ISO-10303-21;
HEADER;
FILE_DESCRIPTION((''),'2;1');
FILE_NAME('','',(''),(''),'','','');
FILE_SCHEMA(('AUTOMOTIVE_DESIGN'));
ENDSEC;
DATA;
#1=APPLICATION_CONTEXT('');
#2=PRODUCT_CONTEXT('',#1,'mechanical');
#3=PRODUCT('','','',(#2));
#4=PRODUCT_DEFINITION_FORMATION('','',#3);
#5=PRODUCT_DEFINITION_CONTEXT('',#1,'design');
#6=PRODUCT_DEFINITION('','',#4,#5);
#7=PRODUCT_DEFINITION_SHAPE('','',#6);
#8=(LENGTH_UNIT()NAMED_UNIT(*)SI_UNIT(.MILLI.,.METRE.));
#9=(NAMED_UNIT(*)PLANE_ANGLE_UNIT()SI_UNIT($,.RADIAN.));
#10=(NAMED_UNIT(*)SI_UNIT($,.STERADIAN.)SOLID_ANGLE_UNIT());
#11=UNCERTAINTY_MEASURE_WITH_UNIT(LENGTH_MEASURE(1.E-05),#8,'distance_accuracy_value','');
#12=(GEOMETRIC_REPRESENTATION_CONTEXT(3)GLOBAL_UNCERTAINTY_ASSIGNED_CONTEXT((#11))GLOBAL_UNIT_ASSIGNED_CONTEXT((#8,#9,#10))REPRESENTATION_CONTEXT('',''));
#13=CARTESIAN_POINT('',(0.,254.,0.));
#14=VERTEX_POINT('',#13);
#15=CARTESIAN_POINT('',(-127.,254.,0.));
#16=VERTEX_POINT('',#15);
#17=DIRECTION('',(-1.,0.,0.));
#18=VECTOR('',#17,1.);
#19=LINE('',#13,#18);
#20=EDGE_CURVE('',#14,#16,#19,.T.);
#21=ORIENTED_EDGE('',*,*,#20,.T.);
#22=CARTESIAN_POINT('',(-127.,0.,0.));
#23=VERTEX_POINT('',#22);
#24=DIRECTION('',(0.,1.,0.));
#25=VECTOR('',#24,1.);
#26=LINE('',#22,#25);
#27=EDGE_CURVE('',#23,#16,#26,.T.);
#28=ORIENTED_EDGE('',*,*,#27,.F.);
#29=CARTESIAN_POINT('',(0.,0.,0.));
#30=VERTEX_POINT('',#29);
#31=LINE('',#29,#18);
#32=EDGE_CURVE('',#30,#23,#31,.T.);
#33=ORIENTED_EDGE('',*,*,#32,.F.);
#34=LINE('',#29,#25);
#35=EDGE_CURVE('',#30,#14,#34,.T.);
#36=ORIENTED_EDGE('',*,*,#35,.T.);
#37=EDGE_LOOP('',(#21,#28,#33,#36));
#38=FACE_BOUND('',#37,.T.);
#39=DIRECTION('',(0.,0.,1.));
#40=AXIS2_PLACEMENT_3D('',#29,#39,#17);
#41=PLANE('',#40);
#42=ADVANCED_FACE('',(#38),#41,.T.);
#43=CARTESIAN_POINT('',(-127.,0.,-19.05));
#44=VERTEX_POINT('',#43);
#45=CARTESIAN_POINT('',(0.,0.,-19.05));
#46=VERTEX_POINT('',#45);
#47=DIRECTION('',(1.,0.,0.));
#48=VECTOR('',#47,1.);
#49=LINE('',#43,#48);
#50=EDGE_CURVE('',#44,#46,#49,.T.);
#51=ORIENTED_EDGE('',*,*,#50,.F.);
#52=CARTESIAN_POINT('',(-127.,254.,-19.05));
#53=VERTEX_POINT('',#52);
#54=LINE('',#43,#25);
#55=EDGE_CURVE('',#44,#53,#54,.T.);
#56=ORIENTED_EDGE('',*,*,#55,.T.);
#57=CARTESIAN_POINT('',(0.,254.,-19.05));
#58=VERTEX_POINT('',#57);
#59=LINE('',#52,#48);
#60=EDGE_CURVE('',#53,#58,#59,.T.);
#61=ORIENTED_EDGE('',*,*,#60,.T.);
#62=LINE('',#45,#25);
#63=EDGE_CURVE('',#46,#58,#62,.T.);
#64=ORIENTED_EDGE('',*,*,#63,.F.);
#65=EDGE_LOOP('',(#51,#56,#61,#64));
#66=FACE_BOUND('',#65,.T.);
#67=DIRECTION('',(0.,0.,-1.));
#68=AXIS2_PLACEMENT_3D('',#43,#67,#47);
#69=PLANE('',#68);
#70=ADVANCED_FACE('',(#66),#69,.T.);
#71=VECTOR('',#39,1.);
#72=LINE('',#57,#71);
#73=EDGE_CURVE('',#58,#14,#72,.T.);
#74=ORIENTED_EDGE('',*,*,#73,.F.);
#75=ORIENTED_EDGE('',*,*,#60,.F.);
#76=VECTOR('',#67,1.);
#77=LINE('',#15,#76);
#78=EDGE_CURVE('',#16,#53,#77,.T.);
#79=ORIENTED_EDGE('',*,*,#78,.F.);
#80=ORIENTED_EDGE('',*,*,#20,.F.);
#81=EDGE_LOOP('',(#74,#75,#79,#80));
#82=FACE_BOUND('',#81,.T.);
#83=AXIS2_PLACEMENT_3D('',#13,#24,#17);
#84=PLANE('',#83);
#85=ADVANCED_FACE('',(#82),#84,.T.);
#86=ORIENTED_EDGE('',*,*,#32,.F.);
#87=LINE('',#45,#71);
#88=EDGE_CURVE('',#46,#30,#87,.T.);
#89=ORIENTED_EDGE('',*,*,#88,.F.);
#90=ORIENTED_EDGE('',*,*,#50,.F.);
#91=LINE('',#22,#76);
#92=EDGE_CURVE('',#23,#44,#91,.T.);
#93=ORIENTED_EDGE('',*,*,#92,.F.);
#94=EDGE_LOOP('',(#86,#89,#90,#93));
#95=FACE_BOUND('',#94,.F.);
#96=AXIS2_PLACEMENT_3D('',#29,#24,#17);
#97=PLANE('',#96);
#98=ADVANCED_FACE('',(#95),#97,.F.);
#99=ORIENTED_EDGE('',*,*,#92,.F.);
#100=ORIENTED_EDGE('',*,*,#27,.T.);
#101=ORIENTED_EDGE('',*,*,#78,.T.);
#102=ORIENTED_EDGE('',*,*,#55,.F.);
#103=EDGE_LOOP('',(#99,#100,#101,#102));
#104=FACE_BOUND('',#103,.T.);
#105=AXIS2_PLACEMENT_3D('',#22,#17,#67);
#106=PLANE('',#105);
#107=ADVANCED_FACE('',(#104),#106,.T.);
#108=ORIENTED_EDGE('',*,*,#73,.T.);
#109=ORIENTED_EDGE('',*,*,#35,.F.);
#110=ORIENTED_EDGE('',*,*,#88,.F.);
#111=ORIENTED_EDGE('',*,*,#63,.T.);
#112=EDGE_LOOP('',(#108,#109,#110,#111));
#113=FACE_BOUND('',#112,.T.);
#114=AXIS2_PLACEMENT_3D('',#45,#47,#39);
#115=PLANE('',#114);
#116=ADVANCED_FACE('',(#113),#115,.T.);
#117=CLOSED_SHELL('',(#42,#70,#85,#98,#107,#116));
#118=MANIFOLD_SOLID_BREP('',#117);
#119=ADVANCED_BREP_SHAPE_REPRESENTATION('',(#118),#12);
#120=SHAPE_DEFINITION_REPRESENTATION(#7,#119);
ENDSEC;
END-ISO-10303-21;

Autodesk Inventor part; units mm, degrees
ref_plane "YZ Plane" through (0, 0, 0) normal (1, 0, 0) x (0, 1, 0)
ref_plane "XZ Plane" through (0, 0, 0) normal (0, 1, 0) x (-1, 0, 0)
ref_plane "XY Plane" through (0, 0, 0) normal (0, 0, 1) x (1, 0, 0)
sketch "Sketch1" plane through (0, 0, 0) normal (0, 1, 0) x (-1, 0, 0)
  line L0 (0, 0) -> (127, 0)
  line L1 (127, 0) -> (127, -19.05)
  line L2 (127, -19.05) -> (0, -19.05)
  line L3 (0, -19.05) -> (0, 0)
  dimension "d0" = 127
  dimension "d1" = 19.05
extrude "Extrusion1" add sketch "Sketch1" along normal blind 254
properties part number "BumberBack.ver1-1111-2020"
